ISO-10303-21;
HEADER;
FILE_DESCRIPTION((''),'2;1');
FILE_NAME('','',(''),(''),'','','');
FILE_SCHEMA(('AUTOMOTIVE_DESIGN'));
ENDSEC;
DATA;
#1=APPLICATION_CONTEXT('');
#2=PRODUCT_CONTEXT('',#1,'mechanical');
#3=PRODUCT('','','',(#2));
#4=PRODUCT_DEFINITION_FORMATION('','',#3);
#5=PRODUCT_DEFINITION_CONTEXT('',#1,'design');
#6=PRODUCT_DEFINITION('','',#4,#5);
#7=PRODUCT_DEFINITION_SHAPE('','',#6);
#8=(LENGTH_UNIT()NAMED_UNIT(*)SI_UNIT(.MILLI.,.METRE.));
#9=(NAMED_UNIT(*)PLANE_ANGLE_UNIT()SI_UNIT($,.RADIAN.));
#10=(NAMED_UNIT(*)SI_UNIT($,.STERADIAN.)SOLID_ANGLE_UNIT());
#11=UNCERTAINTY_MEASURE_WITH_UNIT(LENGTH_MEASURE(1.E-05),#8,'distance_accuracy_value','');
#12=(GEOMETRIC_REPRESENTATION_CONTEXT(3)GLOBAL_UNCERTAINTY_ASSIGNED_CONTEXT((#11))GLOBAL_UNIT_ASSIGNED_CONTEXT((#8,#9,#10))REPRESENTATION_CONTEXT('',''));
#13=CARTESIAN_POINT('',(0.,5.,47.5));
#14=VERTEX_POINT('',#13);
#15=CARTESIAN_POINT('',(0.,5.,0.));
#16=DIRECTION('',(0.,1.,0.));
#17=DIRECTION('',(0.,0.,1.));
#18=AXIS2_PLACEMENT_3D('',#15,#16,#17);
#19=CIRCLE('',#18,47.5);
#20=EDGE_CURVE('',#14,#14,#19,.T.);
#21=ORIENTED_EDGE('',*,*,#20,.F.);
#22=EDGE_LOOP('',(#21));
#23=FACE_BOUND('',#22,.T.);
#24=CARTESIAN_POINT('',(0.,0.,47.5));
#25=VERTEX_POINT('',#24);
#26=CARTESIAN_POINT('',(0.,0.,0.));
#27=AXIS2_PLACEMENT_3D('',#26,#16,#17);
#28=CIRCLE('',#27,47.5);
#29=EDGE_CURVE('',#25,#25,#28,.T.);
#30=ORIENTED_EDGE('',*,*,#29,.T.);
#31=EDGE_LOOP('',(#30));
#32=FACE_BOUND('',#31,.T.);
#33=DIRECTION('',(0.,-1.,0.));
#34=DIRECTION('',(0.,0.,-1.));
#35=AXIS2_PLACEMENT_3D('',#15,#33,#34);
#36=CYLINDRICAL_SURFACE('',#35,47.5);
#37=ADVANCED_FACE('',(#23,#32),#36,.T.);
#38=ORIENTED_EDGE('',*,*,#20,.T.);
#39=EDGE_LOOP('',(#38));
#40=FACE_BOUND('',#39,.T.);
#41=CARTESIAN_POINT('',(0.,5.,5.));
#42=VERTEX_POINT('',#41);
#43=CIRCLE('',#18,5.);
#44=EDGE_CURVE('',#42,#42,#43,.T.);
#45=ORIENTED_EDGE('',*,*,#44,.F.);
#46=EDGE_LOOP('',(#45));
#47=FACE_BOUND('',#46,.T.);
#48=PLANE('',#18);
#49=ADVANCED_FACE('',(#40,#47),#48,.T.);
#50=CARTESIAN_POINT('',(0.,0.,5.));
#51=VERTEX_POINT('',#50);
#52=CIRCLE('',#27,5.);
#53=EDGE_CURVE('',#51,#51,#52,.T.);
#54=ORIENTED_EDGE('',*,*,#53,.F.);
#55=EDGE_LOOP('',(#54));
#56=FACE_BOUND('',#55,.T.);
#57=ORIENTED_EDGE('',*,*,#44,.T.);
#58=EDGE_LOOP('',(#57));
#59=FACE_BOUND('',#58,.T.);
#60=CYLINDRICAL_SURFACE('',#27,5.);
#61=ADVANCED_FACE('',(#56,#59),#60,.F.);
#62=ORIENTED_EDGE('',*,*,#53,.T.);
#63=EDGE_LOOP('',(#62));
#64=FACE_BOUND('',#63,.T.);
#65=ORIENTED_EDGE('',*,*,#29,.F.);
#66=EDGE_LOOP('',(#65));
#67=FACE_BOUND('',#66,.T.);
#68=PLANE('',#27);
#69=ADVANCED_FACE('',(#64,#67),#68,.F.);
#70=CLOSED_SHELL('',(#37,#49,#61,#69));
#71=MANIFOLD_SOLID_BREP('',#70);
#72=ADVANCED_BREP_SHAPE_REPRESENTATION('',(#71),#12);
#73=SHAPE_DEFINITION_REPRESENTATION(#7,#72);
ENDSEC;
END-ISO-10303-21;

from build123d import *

# Parameters (mm, degrees)
SKETCH1_R           = 47.5
BOSS_EXTRUDE1_DEPTH = 5
SKETCH2_R           = 5
CUT_EXTRUDE1_DEPTH  = 5


with BuildPart() as part:
    # Sketch1 → Boss-Extrude1 (new body)
    with BuildSketch(Plane(origin=(0, 0, 0), x_dir=(1, 0, 0), z_dir=(0, 1, 0))):
        with Locations(Location((0, 0, 0), (0, 0, 270))):
            Circle(SKETCH1_R)
    extrude(amount=BOSS_EXTRUDE1_DEPTH)

    # Sketch2 → Cut-Extrude1 (cut)
    with BuildSketch(Plane(origin=(0, 5, 0), x_dir=(1, 0, 0), z_dir=(0, 1, 0))):
        with Locations(Location((0, 0, 0), (0, 0, 270))):
            Circle(SKETCH2_R)
    extrude(amount=-CUT_EXTRUDE1_DEPTH, mode=Mode.SUBTRACT)


solid = part.part
